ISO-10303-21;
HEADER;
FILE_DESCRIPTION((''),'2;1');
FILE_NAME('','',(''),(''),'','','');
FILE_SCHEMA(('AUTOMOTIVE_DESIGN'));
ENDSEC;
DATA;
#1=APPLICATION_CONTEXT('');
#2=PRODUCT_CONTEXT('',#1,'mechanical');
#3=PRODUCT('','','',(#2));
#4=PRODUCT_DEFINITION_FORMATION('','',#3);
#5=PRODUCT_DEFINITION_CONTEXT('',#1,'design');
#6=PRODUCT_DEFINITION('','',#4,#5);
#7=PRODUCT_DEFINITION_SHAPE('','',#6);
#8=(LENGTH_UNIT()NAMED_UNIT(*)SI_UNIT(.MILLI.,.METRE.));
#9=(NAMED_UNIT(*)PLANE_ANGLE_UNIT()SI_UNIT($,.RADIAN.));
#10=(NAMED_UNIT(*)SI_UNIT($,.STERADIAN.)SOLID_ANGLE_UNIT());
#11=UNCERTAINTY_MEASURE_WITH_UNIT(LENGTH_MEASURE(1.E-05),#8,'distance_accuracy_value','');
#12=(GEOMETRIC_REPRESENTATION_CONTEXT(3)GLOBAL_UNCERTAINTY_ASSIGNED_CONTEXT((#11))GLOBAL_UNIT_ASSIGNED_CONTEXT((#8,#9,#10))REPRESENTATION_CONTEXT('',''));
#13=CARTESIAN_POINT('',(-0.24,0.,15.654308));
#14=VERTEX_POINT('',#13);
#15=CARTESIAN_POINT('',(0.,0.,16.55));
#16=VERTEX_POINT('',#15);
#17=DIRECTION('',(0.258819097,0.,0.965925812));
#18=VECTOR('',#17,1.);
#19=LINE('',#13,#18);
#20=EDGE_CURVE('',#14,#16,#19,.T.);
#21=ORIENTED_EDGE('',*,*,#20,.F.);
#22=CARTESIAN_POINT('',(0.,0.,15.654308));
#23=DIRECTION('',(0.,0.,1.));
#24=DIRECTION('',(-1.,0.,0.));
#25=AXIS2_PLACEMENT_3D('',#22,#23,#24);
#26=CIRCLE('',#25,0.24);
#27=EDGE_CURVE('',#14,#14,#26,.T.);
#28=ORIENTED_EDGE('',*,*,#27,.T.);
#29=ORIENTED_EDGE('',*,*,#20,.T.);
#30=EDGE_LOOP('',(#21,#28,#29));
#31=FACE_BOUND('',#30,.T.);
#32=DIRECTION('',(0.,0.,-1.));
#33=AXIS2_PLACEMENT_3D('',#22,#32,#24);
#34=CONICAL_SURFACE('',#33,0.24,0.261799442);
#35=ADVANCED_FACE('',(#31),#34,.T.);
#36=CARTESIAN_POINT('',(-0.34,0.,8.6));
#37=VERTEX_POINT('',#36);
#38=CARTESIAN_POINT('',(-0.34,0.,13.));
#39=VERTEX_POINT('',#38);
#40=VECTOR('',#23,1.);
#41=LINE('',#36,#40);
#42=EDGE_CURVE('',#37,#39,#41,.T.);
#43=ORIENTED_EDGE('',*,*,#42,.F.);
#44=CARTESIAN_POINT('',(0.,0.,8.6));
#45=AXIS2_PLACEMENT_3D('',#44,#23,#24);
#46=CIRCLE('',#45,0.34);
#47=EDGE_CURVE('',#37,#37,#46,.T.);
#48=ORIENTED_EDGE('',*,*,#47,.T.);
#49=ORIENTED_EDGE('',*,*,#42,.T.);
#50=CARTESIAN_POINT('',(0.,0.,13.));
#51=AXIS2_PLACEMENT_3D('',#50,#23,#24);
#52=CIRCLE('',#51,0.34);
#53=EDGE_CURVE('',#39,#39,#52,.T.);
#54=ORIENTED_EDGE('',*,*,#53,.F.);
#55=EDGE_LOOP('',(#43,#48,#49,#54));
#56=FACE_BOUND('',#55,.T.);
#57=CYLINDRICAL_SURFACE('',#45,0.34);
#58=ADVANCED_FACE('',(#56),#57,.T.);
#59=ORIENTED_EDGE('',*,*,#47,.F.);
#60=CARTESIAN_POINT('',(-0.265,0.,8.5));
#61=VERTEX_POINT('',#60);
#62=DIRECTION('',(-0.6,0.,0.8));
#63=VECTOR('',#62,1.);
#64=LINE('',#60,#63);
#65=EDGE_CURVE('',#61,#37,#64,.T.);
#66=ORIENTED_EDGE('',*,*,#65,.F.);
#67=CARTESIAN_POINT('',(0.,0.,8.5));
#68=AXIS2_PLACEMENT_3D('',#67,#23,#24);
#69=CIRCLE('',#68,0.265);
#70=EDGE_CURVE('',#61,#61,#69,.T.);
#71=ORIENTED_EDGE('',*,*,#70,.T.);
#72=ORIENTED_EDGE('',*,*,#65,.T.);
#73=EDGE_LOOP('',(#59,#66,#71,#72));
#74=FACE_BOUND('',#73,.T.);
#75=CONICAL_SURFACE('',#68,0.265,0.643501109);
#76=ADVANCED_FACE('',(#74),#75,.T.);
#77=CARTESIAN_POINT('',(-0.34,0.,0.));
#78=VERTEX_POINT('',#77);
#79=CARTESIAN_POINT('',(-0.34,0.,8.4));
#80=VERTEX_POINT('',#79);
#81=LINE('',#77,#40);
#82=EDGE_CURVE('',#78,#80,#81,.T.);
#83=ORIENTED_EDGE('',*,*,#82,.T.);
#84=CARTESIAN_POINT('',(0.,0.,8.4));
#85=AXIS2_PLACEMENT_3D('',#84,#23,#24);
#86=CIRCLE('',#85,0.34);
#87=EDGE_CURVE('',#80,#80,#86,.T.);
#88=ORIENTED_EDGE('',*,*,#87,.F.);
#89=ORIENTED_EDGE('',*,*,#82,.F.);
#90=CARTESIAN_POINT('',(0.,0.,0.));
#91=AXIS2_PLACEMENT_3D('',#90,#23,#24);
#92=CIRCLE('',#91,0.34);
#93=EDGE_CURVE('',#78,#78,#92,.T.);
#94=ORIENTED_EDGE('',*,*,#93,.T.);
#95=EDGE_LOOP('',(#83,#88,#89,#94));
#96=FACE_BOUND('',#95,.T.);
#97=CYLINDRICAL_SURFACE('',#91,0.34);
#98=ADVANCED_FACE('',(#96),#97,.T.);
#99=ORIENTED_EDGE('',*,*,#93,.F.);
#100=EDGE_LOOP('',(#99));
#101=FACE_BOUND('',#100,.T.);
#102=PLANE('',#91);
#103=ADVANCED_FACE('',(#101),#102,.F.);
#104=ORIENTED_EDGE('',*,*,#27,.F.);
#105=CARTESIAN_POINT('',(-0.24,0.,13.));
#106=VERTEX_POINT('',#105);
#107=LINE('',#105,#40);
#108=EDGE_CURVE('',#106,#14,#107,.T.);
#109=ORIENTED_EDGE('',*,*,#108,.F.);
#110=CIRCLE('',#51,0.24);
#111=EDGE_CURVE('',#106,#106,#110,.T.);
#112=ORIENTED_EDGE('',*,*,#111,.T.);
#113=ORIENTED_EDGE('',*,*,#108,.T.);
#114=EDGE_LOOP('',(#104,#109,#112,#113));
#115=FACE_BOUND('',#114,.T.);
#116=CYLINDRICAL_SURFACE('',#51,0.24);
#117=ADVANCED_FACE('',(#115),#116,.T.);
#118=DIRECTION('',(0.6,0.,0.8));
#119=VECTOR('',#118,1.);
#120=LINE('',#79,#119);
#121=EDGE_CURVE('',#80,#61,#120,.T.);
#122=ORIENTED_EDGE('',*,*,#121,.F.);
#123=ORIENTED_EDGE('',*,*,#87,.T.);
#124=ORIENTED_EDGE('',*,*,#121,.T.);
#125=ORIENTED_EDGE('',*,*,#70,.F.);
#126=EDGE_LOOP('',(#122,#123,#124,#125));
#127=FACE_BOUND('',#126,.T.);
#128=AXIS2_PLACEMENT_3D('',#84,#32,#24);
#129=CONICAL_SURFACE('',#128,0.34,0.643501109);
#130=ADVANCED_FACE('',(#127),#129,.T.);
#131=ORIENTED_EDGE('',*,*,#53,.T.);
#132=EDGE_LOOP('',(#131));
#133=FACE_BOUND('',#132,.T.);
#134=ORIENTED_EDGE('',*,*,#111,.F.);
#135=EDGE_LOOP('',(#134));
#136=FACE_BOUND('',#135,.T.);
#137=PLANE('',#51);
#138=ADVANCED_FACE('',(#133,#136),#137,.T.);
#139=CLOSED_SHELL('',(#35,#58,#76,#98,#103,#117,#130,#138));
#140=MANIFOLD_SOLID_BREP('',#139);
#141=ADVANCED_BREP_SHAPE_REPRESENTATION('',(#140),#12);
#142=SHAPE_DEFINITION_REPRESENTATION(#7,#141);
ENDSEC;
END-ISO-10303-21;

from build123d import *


with BuildPart() as part:
    # Sketch → Revolution (revolve)
    with BuildSketch(Plane.XZ):
        Polygon((0, 0), (-0.34, 0), (-0.34, 8.4), (-0.265, 8.5), (-0.34, 8.6), (-0.34, 13), (-0.24, 13), (-0.24, 15.654308), (0, 16.55), align=None)
    revolve(axis=Axis((0, 0, 0), (0, 0, 1)))


solid = part.part
